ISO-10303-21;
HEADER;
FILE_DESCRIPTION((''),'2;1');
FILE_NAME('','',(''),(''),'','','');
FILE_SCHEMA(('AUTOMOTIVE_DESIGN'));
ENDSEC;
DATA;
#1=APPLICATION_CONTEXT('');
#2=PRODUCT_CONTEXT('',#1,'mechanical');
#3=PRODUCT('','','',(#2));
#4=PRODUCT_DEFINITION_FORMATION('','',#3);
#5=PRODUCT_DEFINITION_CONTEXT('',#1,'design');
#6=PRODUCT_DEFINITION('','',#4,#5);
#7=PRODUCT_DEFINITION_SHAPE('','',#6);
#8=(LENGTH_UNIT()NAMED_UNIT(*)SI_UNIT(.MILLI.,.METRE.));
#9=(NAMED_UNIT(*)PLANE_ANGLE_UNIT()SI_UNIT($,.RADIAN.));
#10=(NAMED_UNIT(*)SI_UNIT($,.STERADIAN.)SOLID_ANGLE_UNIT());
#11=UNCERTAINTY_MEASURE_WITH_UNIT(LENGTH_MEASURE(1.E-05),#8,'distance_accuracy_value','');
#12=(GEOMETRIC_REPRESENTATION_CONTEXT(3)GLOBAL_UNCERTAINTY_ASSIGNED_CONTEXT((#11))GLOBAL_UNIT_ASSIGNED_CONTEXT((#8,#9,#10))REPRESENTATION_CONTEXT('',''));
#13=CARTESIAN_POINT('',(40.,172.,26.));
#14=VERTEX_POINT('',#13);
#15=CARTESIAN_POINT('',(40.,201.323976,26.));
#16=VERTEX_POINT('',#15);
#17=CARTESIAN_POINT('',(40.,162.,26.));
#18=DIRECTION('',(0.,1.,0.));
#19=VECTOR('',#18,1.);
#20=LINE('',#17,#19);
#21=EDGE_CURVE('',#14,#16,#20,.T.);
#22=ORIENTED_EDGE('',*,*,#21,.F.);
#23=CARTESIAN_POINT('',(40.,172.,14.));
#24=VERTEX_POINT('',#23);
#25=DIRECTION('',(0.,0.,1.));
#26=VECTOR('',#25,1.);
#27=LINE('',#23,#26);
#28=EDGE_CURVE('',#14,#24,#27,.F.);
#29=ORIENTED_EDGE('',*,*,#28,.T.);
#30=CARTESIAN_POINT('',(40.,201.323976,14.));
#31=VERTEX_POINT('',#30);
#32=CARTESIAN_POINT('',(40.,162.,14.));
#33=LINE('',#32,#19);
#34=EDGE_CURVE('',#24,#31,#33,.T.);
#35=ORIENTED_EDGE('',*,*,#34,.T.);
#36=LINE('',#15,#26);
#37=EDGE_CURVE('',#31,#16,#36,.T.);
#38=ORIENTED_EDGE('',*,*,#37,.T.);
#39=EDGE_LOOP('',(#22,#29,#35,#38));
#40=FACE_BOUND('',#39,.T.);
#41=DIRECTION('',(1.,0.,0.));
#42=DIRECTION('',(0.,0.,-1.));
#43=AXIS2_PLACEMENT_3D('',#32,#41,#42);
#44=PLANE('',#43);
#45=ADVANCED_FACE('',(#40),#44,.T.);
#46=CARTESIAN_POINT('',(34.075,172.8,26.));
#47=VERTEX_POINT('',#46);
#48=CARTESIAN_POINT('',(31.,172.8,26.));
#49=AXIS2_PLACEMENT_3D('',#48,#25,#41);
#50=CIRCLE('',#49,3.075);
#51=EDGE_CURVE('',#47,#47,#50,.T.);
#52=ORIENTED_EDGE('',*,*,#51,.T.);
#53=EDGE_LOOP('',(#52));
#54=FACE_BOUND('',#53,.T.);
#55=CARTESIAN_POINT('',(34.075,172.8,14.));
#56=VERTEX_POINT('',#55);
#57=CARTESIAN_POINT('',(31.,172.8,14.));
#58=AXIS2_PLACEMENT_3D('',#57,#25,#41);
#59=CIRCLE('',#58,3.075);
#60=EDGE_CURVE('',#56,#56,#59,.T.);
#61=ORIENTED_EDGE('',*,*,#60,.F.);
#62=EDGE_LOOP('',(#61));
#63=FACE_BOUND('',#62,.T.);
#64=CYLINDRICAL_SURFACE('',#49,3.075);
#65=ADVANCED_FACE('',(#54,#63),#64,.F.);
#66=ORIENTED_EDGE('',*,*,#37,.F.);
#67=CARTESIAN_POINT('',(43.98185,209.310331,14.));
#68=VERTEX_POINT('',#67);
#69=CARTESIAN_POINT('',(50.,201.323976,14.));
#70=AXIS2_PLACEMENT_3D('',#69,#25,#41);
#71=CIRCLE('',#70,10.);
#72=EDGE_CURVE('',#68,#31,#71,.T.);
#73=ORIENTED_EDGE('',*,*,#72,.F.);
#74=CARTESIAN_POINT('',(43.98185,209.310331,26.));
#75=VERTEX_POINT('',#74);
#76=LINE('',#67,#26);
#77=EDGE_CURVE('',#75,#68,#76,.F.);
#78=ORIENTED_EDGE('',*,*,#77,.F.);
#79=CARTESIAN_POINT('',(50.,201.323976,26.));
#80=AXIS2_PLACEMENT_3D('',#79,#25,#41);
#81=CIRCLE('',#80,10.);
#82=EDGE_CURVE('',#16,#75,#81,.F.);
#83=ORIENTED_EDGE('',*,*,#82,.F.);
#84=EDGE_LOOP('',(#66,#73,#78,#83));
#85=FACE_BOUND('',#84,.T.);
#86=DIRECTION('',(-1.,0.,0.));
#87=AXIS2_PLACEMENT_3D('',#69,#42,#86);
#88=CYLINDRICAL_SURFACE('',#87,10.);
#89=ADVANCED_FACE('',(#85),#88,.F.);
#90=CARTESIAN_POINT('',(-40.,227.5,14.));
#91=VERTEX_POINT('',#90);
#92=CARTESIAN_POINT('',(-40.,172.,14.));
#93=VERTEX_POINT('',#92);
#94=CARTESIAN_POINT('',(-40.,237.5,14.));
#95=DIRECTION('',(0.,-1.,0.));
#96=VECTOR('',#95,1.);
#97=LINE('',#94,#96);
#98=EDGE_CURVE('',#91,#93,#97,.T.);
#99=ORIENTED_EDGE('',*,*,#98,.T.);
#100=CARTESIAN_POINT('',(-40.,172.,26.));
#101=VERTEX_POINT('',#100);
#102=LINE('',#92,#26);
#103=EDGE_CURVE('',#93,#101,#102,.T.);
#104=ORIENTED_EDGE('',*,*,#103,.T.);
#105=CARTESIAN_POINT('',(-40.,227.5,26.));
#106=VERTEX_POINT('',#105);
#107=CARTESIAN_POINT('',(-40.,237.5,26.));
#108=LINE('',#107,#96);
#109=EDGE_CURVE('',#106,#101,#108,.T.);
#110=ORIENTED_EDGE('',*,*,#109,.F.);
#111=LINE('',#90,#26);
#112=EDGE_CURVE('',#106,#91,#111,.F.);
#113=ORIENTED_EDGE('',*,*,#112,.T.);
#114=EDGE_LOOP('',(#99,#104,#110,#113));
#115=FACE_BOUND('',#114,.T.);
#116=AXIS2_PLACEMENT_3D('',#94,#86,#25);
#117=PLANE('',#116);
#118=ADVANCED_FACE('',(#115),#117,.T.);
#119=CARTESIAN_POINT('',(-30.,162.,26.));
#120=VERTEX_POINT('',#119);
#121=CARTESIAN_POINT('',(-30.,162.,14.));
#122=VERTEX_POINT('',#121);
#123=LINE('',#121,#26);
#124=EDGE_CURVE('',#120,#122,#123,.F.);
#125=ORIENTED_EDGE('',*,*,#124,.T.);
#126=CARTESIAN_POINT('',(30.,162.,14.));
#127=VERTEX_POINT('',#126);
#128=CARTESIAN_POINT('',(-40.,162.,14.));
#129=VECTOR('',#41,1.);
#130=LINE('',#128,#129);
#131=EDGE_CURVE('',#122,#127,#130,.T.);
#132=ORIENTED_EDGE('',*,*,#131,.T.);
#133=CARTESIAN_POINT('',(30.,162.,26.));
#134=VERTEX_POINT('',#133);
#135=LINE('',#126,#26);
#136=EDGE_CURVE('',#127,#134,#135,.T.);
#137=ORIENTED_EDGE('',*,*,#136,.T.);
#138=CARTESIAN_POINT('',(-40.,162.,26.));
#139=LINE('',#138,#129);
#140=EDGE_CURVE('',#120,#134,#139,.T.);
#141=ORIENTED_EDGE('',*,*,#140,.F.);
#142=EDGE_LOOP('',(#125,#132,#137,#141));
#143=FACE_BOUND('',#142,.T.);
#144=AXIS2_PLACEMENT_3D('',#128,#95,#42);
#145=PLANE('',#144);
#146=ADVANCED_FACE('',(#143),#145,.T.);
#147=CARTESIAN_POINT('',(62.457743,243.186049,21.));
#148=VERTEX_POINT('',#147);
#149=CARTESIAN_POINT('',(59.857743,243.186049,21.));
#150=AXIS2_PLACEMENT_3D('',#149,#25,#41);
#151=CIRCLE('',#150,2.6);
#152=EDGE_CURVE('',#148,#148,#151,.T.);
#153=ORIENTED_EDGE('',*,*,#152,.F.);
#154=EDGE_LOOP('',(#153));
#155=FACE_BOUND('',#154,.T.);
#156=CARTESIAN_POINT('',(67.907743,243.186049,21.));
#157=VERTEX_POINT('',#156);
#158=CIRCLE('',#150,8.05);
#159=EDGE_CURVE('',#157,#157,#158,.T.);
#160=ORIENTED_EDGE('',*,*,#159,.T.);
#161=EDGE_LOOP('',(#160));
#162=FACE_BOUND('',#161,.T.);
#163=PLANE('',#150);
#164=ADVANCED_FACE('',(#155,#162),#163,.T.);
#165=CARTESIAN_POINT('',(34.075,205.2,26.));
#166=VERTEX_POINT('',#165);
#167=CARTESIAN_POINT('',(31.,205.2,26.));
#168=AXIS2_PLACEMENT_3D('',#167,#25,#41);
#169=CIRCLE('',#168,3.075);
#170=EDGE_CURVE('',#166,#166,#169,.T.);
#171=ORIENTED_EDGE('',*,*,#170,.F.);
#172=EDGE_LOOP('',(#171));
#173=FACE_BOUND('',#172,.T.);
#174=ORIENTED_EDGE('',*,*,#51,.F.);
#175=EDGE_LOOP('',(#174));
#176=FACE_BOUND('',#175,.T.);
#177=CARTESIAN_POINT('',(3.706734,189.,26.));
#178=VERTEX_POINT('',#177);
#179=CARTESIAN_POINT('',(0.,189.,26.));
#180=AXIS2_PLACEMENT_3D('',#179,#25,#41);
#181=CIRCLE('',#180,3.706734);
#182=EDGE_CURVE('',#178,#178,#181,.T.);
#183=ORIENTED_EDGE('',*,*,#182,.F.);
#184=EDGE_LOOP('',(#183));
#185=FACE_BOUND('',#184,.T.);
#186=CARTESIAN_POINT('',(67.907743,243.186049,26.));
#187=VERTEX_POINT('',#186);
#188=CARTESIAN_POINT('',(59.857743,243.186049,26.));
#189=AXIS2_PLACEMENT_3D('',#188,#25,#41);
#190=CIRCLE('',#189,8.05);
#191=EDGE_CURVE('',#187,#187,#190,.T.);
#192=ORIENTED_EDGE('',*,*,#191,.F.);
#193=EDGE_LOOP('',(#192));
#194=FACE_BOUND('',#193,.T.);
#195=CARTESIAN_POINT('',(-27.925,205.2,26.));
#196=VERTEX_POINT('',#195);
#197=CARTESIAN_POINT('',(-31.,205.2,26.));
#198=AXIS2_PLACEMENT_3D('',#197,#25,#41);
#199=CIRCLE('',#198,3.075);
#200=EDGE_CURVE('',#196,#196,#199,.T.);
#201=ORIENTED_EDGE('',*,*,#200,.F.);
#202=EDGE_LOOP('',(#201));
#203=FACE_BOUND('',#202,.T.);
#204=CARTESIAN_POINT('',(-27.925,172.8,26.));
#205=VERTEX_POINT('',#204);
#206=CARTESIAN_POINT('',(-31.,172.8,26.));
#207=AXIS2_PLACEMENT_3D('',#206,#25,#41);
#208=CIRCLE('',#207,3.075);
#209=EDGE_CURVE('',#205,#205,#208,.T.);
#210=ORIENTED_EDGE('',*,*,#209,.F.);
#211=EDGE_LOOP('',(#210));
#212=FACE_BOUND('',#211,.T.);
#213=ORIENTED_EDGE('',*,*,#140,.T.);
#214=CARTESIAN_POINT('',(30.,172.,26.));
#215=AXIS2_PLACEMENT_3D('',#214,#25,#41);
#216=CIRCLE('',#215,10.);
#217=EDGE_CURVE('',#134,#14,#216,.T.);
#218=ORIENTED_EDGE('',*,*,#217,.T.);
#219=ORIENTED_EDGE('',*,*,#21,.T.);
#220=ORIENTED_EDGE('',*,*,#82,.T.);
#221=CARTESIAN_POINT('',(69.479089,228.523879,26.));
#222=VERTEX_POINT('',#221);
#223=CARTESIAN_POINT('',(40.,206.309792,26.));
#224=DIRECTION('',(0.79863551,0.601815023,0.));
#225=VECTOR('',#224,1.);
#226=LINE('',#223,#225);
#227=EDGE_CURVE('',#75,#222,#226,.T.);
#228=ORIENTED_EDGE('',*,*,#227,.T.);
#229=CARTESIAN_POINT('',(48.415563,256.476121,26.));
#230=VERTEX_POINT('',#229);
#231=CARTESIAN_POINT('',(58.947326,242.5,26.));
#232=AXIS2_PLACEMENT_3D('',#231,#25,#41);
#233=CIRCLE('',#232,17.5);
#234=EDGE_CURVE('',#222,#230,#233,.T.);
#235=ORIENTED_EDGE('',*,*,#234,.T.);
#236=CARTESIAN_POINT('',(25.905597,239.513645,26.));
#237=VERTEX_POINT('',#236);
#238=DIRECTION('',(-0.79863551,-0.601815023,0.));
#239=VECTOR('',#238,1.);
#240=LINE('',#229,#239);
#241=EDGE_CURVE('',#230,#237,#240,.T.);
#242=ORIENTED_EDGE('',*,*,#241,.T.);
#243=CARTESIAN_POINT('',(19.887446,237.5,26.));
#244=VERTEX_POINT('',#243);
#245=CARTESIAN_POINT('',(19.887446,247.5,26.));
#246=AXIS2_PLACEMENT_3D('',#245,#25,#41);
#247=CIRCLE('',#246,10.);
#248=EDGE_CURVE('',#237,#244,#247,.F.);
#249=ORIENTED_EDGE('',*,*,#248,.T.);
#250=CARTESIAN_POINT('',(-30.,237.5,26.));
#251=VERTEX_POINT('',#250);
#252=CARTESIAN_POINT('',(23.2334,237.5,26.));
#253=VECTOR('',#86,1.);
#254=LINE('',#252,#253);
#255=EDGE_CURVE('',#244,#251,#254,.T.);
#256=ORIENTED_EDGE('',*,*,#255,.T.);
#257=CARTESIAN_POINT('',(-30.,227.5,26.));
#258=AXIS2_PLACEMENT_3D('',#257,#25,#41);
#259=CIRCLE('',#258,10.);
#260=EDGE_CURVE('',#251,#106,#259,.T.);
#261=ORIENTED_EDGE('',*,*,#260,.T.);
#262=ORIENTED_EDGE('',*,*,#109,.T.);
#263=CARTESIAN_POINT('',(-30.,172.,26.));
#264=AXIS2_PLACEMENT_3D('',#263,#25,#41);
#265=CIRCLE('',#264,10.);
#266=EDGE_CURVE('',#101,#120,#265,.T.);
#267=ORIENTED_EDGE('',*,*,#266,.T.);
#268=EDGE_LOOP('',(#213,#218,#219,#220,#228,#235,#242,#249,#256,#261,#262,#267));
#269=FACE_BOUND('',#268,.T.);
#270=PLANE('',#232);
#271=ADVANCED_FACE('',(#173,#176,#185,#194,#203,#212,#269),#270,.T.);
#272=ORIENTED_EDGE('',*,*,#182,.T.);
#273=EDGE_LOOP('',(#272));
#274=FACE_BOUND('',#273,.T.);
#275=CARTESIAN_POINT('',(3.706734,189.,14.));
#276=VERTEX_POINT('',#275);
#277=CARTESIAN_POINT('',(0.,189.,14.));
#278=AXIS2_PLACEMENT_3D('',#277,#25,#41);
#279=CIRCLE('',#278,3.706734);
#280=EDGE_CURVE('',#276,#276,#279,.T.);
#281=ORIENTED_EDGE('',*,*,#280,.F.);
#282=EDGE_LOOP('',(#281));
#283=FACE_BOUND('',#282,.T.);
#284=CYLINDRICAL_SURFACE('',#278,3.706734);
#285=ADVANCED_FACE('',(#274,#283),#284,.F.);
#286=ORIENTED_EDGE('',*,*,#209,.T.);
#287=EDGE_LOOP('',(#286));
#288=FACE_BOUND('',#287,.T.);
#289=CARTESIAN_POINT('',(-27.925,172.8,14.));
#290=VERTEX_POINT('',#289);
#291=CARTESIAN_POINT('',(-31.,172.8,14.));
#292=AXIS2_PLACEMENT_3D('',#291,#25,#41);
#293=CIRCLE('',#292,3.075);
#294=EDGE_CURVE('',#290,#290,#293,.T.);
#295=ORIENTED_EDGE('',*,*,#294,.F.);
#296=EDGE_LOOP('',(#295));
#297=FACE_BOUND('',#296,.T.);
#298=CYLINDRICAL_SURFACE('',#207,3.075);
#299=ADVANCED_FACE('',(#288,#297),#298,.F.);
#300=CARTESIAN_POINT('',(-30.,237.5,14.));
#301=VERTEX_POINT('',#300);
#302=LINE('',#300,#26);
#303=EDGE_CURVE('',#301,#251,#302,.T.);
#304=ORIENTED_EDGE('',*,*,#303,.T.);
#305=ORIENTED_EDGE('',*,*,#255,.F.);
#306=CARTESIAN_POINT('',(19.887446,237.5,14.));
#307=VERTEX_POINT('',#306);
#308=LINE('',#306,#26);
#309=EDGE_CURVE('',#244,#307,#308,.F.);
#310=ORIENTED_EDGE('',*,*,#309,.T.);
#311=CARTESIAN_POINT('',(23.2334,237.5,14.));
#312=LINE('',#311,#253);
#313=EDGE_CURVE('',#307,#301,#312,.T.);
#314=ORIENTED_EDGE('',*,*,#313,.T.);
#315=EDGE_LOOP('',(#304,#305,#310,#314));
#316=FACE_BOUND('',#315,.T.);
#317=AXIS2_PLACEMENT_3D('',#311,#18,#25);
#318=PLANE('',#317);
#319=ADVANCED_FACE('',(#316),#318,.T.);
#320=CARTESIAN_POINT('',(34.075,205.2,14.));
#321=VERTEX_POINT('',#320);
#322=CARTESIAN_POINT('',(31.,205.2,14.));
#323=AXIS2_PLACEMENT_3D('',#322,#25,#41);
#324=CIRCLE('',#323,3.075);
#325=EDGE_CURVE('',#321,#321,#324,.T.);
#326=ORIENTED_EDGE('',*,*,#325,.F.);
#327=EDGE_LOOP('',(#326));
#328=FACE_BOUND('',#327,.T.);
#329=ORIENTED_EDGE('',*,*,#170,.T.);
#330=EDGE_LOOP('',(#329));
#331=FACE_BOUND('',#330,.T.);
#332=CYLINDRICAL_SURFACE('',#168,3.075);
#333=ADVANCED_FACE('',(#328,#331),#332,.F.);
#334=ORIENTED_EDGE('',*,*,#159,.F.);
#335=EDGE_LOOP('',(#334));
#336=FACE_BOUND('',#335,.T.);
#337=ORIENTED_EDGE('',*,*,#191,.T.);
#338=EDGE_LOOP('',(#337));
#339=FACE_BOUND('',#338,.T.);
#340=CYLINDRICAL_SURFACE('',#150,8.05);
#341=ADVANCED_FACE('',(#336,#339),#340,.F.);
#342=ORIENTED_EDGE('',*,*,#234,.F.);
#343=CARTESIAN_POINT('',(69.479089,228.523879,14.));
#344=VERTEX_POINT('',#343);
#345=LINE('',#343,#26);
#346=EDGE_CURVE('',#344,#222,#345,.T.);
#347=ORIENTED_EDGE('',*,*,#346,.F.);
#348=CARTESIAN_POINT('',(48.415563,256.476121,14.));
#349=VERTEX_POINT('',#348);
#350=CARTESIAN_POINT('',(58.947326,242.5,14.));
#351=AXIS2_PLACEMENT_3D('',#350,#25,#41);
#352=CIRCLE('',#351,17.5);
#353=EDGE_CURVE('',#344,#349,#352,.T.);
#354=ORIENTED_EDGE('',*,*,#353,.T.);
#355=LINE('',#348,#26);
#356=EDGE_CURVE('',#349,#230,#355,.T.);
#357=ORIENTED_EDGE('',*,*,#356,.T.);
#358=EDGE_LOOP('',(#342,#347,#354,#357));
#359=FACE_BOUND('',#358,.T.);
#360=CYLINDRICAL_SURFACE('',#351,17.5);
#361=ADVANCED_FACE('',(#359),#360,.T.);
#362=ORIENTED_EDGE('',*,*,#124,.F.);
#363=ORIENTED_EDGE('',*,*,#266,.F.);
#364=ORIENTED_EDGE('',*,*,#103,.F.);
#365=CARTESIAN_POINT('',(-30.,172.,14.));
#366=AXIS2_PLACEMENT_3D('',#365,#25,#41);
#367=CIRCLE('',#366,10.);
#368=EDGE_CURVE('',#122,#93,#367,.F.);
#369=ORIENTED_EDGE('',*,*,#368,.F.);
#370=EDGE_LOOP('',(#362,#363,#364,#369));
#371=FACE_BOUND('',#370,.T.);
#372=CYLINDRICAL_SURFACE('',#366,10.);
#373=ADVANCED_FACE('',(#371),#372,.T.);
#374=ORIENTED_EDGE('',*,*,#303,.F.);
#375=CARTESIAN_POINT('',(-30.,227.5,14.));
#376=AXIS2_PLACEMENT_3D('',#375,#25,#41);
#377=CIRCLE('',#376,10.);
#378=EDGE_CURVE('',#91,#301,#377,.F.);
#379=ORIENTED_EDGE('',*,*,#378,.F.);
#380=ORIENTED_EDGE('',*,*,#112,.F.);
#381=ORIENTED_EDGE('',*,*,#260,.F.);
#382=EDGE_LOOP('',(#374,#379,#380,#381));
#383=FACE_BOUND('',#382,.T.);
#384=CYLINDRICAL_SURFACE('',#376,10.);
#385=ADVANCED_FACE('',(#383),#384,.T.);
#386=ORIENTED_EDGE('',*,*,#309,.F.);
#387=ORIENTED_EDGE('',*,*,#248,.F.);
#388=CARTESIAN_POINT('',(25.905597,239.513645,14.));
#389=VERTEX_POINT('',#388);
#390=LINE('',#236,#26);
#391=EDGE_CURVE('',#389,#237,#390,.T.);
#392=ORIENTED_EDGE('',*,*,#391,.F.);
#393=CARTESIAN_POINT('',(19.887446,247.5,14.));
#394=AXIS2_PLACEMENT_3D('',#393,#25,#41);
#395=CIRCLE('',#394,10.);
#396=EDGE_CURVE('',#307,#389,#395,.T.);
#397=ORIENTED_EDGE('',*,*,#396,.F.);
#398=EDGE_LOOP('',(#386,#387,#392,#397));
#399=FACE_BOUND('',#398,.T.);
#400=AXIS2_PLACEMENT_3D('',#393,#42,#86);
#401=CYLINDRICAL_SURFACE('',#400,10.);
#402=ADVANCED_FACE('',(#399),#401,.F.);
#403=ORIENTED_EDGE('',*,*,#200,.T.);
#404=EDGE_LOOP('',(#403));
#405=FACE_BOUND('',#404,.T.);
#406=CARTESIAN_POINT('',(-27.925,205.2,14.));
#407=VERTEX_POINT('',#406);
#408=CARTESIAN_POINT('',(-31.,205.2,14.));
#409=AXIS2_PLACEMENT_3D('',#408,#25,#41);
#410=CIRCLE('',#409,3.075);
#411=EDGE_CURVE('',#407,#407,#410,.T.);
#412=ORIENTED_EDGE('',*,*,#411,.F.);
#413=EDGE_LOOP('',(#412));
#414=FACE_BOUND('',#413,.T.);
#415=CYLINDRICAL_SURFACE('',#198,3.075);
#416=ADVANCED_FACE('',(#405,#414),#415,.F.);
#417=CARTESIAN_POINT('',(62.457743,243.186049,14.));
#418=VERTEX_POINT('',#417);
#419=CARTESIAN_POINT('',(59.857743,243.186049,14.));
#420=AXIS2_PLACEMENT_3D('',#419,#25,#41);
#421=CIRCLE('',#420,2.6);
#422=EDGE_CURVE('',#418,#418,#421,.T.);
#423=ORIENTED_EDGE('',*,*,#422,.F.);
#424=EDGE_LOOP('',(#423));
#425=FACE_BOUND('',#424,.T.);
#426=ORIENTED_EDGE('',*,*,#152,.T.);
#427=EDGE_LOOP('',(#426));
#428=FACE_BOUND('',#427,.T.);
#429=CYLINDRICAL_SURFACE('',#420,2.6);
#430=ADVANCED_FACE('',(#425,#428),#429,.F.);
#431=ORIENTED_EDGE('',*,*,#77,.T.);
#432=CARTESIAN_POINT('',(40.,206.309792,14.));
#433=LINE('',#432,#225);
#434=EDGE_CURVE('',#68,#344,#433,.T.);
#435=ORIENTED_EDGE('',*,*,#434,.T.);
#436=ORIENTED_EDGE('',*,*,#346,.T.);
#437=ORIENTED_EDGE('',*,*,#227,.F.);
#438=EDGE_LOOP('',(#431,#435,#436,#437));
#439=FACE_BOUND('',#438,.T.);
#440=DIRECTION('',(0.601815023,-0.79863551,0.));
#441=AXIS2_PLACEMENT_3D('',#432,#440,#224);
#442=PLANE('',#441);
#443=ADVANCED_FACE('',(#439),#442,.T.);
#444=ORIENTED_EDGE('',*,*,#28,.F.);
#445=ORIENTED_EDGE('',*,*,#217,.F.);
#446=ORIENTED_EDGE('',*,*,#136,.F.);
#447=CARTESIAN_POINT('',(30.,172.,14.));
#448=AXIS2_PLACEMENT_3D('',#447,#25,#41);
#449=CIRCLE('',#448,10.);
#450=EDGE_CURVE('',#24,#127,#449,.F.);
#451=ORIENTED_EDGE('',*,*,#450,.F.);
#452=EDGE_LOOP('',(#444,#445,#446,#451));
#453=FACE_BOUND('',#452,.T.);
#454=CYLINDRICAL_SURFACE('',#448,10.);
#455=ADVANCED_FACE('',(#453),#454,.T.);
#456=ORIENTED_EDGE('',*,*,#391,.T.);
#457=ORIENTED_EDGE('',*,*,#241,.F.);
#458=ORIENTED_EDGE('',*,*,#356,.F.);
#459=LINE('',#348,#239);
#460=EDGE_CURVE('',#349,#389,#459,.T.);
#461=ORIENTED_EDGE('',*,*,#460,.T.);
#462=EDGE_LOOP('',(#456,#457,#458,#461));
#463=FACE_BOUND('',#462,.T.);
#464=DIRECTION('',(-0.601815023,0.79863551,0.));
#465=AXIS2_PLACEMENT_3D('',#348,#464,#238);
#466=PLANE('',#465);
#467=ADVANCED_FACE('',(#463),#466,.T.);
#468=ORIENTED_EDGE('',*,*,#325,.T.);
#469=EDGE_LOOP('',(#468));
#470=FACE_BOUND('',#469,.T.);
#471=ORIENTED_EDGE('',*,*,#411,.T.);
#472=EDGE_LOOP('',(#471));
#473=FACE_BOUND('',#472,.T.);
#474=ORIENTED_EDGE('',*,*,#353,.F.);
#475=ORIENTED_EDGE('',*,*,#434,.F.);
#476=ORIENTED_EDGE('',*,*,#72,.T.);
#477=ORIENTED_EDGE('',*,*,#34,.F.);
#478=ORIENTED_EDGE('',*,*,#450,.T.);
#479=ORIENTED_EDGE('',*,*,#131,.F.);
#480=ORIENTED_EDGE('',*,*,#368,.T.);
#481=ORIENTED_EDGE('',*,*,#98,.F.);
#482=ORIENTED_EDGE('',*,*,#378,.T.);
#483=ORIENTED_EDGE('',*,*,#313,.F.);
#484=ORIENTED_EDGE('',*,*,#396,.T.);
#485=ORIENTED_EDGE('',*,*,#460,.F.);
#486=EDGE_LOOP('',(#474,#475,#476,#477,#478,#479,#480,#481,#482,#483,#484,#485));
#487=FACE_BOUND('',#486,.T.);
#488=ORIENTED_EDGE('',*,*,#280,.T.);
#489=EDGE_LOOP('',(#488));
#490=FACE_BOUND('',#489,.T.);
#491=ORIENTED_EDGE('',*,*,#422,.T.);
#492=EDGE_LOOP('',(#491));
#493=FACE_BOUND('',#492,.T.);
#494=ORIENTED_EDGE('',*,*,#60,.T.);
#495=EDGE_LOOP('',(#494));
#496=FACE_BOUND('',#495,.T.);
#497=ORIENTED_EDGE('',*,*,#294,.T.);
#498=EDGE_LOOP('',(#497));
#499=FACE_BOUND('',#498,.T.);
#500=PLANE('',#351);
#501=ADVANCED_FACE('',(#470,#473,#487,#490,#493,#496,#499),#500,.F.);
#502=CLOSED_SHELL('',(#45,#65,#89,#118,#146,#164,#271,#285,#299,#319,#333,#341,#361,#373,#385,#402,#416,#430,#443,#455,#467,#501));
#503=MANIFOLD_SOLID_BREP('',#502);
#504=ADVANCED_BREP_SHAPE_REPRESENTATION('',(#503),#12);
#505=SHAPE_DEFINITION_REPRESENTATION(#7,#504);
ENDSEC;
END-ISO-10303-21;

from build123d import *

# Parameters (mm, degrees)
SKETCH1_R              = 3.706733852
BOSS_EXTRUDE1_DEPTH    = 12
F_12_CLEARANCE_HOLE1_D = 6.15
FILLET1_R              = 10
SKETCH6_R              = 8.05
SKETCH6_R_2            = 2.6
CUT_EXTRUDE1_DEPTH     = 5
SKETCH6_2_R            = 2.6
CUT_EXTRUDE2_DEPTH     = 272.271439088


with BuildPart() as part:
    # Sketch1 → Boss-Extrude1 (new body)
    with BuildSketch(Plane.XY.offset(26)):
        with BuildLine():
            Line((48.415563176, 256.476121426), (23.233399504, 237.5))
            Line((23.233399504, 237.5), (-40, 237.5))
            Line((-40, 237.5), (-40, 162))
            Line((-40, 162), (40, 162))
            Line((40, 162), (40, 206.309791675))
            Line((40, 206.309791675), (69.479088987, 228.523878574))
            ThreePointArc((69.479088987, 228.523878574), (72.923447507, 253.031762905), (48.415563176, 256.476121426))
        make_face()
        with Locations((0, 189)):
            Circle(SKETCH1_R, mode=Mode.SUBTRACT)
    extrude(amount=-BOSS_EXTRUDE1_DEPTH)

    # #12 Clearance Hole1 (through all)
    with Locations(Plane.XY.offset(26)):
        with Locations((31, 172.8), (-31, 205.2), (-31, 172.8), (31, 205.2)):
            Hole(F_12_CLEARANCE_HOLE1_D / 2)

    # Fillet1
    fillet1_edges = [part.edges().sort_by_distance(p)[0] for p in [
        (40, 206.309791675, 20),
        (40, 162, 20),
        (-40, 162, 20),
        (-40, 237.5, 20),
        (23.233399504, 237.5, 20),
    ]]
    fillet(fillet1_edges, radius=FILLET1_R)

    # Sketch6 → Cut-Extrude1 (cut)
    with BuildSketch(Plane.XY.offset(26)):
        with Locations((59.857743265, 243.186048556)):
            Circle(SKETCH6_R)
        with Locations((59.857743265, 243.186048556)):
            Circle(SKETCH6_R_2, mode=Mode.SUBTRACT)
    extrude(amount=-CUT_EXTRUDE1_DEPTH, mode=Mode.SUBTRACT)

    # Sketch6<2> → Cut-Extrude2 (cut, through all)
    with BuildSketch(Plane.XY.offset(26)):
        with Locations((59.857743265, 243.186048556)):
            Circle(SKETCH6_2_R)
    extrude(amount=-CUT_EXTRUDE2_DEPTH, mode=Mode.SUBTRACT)


solid = part.part
